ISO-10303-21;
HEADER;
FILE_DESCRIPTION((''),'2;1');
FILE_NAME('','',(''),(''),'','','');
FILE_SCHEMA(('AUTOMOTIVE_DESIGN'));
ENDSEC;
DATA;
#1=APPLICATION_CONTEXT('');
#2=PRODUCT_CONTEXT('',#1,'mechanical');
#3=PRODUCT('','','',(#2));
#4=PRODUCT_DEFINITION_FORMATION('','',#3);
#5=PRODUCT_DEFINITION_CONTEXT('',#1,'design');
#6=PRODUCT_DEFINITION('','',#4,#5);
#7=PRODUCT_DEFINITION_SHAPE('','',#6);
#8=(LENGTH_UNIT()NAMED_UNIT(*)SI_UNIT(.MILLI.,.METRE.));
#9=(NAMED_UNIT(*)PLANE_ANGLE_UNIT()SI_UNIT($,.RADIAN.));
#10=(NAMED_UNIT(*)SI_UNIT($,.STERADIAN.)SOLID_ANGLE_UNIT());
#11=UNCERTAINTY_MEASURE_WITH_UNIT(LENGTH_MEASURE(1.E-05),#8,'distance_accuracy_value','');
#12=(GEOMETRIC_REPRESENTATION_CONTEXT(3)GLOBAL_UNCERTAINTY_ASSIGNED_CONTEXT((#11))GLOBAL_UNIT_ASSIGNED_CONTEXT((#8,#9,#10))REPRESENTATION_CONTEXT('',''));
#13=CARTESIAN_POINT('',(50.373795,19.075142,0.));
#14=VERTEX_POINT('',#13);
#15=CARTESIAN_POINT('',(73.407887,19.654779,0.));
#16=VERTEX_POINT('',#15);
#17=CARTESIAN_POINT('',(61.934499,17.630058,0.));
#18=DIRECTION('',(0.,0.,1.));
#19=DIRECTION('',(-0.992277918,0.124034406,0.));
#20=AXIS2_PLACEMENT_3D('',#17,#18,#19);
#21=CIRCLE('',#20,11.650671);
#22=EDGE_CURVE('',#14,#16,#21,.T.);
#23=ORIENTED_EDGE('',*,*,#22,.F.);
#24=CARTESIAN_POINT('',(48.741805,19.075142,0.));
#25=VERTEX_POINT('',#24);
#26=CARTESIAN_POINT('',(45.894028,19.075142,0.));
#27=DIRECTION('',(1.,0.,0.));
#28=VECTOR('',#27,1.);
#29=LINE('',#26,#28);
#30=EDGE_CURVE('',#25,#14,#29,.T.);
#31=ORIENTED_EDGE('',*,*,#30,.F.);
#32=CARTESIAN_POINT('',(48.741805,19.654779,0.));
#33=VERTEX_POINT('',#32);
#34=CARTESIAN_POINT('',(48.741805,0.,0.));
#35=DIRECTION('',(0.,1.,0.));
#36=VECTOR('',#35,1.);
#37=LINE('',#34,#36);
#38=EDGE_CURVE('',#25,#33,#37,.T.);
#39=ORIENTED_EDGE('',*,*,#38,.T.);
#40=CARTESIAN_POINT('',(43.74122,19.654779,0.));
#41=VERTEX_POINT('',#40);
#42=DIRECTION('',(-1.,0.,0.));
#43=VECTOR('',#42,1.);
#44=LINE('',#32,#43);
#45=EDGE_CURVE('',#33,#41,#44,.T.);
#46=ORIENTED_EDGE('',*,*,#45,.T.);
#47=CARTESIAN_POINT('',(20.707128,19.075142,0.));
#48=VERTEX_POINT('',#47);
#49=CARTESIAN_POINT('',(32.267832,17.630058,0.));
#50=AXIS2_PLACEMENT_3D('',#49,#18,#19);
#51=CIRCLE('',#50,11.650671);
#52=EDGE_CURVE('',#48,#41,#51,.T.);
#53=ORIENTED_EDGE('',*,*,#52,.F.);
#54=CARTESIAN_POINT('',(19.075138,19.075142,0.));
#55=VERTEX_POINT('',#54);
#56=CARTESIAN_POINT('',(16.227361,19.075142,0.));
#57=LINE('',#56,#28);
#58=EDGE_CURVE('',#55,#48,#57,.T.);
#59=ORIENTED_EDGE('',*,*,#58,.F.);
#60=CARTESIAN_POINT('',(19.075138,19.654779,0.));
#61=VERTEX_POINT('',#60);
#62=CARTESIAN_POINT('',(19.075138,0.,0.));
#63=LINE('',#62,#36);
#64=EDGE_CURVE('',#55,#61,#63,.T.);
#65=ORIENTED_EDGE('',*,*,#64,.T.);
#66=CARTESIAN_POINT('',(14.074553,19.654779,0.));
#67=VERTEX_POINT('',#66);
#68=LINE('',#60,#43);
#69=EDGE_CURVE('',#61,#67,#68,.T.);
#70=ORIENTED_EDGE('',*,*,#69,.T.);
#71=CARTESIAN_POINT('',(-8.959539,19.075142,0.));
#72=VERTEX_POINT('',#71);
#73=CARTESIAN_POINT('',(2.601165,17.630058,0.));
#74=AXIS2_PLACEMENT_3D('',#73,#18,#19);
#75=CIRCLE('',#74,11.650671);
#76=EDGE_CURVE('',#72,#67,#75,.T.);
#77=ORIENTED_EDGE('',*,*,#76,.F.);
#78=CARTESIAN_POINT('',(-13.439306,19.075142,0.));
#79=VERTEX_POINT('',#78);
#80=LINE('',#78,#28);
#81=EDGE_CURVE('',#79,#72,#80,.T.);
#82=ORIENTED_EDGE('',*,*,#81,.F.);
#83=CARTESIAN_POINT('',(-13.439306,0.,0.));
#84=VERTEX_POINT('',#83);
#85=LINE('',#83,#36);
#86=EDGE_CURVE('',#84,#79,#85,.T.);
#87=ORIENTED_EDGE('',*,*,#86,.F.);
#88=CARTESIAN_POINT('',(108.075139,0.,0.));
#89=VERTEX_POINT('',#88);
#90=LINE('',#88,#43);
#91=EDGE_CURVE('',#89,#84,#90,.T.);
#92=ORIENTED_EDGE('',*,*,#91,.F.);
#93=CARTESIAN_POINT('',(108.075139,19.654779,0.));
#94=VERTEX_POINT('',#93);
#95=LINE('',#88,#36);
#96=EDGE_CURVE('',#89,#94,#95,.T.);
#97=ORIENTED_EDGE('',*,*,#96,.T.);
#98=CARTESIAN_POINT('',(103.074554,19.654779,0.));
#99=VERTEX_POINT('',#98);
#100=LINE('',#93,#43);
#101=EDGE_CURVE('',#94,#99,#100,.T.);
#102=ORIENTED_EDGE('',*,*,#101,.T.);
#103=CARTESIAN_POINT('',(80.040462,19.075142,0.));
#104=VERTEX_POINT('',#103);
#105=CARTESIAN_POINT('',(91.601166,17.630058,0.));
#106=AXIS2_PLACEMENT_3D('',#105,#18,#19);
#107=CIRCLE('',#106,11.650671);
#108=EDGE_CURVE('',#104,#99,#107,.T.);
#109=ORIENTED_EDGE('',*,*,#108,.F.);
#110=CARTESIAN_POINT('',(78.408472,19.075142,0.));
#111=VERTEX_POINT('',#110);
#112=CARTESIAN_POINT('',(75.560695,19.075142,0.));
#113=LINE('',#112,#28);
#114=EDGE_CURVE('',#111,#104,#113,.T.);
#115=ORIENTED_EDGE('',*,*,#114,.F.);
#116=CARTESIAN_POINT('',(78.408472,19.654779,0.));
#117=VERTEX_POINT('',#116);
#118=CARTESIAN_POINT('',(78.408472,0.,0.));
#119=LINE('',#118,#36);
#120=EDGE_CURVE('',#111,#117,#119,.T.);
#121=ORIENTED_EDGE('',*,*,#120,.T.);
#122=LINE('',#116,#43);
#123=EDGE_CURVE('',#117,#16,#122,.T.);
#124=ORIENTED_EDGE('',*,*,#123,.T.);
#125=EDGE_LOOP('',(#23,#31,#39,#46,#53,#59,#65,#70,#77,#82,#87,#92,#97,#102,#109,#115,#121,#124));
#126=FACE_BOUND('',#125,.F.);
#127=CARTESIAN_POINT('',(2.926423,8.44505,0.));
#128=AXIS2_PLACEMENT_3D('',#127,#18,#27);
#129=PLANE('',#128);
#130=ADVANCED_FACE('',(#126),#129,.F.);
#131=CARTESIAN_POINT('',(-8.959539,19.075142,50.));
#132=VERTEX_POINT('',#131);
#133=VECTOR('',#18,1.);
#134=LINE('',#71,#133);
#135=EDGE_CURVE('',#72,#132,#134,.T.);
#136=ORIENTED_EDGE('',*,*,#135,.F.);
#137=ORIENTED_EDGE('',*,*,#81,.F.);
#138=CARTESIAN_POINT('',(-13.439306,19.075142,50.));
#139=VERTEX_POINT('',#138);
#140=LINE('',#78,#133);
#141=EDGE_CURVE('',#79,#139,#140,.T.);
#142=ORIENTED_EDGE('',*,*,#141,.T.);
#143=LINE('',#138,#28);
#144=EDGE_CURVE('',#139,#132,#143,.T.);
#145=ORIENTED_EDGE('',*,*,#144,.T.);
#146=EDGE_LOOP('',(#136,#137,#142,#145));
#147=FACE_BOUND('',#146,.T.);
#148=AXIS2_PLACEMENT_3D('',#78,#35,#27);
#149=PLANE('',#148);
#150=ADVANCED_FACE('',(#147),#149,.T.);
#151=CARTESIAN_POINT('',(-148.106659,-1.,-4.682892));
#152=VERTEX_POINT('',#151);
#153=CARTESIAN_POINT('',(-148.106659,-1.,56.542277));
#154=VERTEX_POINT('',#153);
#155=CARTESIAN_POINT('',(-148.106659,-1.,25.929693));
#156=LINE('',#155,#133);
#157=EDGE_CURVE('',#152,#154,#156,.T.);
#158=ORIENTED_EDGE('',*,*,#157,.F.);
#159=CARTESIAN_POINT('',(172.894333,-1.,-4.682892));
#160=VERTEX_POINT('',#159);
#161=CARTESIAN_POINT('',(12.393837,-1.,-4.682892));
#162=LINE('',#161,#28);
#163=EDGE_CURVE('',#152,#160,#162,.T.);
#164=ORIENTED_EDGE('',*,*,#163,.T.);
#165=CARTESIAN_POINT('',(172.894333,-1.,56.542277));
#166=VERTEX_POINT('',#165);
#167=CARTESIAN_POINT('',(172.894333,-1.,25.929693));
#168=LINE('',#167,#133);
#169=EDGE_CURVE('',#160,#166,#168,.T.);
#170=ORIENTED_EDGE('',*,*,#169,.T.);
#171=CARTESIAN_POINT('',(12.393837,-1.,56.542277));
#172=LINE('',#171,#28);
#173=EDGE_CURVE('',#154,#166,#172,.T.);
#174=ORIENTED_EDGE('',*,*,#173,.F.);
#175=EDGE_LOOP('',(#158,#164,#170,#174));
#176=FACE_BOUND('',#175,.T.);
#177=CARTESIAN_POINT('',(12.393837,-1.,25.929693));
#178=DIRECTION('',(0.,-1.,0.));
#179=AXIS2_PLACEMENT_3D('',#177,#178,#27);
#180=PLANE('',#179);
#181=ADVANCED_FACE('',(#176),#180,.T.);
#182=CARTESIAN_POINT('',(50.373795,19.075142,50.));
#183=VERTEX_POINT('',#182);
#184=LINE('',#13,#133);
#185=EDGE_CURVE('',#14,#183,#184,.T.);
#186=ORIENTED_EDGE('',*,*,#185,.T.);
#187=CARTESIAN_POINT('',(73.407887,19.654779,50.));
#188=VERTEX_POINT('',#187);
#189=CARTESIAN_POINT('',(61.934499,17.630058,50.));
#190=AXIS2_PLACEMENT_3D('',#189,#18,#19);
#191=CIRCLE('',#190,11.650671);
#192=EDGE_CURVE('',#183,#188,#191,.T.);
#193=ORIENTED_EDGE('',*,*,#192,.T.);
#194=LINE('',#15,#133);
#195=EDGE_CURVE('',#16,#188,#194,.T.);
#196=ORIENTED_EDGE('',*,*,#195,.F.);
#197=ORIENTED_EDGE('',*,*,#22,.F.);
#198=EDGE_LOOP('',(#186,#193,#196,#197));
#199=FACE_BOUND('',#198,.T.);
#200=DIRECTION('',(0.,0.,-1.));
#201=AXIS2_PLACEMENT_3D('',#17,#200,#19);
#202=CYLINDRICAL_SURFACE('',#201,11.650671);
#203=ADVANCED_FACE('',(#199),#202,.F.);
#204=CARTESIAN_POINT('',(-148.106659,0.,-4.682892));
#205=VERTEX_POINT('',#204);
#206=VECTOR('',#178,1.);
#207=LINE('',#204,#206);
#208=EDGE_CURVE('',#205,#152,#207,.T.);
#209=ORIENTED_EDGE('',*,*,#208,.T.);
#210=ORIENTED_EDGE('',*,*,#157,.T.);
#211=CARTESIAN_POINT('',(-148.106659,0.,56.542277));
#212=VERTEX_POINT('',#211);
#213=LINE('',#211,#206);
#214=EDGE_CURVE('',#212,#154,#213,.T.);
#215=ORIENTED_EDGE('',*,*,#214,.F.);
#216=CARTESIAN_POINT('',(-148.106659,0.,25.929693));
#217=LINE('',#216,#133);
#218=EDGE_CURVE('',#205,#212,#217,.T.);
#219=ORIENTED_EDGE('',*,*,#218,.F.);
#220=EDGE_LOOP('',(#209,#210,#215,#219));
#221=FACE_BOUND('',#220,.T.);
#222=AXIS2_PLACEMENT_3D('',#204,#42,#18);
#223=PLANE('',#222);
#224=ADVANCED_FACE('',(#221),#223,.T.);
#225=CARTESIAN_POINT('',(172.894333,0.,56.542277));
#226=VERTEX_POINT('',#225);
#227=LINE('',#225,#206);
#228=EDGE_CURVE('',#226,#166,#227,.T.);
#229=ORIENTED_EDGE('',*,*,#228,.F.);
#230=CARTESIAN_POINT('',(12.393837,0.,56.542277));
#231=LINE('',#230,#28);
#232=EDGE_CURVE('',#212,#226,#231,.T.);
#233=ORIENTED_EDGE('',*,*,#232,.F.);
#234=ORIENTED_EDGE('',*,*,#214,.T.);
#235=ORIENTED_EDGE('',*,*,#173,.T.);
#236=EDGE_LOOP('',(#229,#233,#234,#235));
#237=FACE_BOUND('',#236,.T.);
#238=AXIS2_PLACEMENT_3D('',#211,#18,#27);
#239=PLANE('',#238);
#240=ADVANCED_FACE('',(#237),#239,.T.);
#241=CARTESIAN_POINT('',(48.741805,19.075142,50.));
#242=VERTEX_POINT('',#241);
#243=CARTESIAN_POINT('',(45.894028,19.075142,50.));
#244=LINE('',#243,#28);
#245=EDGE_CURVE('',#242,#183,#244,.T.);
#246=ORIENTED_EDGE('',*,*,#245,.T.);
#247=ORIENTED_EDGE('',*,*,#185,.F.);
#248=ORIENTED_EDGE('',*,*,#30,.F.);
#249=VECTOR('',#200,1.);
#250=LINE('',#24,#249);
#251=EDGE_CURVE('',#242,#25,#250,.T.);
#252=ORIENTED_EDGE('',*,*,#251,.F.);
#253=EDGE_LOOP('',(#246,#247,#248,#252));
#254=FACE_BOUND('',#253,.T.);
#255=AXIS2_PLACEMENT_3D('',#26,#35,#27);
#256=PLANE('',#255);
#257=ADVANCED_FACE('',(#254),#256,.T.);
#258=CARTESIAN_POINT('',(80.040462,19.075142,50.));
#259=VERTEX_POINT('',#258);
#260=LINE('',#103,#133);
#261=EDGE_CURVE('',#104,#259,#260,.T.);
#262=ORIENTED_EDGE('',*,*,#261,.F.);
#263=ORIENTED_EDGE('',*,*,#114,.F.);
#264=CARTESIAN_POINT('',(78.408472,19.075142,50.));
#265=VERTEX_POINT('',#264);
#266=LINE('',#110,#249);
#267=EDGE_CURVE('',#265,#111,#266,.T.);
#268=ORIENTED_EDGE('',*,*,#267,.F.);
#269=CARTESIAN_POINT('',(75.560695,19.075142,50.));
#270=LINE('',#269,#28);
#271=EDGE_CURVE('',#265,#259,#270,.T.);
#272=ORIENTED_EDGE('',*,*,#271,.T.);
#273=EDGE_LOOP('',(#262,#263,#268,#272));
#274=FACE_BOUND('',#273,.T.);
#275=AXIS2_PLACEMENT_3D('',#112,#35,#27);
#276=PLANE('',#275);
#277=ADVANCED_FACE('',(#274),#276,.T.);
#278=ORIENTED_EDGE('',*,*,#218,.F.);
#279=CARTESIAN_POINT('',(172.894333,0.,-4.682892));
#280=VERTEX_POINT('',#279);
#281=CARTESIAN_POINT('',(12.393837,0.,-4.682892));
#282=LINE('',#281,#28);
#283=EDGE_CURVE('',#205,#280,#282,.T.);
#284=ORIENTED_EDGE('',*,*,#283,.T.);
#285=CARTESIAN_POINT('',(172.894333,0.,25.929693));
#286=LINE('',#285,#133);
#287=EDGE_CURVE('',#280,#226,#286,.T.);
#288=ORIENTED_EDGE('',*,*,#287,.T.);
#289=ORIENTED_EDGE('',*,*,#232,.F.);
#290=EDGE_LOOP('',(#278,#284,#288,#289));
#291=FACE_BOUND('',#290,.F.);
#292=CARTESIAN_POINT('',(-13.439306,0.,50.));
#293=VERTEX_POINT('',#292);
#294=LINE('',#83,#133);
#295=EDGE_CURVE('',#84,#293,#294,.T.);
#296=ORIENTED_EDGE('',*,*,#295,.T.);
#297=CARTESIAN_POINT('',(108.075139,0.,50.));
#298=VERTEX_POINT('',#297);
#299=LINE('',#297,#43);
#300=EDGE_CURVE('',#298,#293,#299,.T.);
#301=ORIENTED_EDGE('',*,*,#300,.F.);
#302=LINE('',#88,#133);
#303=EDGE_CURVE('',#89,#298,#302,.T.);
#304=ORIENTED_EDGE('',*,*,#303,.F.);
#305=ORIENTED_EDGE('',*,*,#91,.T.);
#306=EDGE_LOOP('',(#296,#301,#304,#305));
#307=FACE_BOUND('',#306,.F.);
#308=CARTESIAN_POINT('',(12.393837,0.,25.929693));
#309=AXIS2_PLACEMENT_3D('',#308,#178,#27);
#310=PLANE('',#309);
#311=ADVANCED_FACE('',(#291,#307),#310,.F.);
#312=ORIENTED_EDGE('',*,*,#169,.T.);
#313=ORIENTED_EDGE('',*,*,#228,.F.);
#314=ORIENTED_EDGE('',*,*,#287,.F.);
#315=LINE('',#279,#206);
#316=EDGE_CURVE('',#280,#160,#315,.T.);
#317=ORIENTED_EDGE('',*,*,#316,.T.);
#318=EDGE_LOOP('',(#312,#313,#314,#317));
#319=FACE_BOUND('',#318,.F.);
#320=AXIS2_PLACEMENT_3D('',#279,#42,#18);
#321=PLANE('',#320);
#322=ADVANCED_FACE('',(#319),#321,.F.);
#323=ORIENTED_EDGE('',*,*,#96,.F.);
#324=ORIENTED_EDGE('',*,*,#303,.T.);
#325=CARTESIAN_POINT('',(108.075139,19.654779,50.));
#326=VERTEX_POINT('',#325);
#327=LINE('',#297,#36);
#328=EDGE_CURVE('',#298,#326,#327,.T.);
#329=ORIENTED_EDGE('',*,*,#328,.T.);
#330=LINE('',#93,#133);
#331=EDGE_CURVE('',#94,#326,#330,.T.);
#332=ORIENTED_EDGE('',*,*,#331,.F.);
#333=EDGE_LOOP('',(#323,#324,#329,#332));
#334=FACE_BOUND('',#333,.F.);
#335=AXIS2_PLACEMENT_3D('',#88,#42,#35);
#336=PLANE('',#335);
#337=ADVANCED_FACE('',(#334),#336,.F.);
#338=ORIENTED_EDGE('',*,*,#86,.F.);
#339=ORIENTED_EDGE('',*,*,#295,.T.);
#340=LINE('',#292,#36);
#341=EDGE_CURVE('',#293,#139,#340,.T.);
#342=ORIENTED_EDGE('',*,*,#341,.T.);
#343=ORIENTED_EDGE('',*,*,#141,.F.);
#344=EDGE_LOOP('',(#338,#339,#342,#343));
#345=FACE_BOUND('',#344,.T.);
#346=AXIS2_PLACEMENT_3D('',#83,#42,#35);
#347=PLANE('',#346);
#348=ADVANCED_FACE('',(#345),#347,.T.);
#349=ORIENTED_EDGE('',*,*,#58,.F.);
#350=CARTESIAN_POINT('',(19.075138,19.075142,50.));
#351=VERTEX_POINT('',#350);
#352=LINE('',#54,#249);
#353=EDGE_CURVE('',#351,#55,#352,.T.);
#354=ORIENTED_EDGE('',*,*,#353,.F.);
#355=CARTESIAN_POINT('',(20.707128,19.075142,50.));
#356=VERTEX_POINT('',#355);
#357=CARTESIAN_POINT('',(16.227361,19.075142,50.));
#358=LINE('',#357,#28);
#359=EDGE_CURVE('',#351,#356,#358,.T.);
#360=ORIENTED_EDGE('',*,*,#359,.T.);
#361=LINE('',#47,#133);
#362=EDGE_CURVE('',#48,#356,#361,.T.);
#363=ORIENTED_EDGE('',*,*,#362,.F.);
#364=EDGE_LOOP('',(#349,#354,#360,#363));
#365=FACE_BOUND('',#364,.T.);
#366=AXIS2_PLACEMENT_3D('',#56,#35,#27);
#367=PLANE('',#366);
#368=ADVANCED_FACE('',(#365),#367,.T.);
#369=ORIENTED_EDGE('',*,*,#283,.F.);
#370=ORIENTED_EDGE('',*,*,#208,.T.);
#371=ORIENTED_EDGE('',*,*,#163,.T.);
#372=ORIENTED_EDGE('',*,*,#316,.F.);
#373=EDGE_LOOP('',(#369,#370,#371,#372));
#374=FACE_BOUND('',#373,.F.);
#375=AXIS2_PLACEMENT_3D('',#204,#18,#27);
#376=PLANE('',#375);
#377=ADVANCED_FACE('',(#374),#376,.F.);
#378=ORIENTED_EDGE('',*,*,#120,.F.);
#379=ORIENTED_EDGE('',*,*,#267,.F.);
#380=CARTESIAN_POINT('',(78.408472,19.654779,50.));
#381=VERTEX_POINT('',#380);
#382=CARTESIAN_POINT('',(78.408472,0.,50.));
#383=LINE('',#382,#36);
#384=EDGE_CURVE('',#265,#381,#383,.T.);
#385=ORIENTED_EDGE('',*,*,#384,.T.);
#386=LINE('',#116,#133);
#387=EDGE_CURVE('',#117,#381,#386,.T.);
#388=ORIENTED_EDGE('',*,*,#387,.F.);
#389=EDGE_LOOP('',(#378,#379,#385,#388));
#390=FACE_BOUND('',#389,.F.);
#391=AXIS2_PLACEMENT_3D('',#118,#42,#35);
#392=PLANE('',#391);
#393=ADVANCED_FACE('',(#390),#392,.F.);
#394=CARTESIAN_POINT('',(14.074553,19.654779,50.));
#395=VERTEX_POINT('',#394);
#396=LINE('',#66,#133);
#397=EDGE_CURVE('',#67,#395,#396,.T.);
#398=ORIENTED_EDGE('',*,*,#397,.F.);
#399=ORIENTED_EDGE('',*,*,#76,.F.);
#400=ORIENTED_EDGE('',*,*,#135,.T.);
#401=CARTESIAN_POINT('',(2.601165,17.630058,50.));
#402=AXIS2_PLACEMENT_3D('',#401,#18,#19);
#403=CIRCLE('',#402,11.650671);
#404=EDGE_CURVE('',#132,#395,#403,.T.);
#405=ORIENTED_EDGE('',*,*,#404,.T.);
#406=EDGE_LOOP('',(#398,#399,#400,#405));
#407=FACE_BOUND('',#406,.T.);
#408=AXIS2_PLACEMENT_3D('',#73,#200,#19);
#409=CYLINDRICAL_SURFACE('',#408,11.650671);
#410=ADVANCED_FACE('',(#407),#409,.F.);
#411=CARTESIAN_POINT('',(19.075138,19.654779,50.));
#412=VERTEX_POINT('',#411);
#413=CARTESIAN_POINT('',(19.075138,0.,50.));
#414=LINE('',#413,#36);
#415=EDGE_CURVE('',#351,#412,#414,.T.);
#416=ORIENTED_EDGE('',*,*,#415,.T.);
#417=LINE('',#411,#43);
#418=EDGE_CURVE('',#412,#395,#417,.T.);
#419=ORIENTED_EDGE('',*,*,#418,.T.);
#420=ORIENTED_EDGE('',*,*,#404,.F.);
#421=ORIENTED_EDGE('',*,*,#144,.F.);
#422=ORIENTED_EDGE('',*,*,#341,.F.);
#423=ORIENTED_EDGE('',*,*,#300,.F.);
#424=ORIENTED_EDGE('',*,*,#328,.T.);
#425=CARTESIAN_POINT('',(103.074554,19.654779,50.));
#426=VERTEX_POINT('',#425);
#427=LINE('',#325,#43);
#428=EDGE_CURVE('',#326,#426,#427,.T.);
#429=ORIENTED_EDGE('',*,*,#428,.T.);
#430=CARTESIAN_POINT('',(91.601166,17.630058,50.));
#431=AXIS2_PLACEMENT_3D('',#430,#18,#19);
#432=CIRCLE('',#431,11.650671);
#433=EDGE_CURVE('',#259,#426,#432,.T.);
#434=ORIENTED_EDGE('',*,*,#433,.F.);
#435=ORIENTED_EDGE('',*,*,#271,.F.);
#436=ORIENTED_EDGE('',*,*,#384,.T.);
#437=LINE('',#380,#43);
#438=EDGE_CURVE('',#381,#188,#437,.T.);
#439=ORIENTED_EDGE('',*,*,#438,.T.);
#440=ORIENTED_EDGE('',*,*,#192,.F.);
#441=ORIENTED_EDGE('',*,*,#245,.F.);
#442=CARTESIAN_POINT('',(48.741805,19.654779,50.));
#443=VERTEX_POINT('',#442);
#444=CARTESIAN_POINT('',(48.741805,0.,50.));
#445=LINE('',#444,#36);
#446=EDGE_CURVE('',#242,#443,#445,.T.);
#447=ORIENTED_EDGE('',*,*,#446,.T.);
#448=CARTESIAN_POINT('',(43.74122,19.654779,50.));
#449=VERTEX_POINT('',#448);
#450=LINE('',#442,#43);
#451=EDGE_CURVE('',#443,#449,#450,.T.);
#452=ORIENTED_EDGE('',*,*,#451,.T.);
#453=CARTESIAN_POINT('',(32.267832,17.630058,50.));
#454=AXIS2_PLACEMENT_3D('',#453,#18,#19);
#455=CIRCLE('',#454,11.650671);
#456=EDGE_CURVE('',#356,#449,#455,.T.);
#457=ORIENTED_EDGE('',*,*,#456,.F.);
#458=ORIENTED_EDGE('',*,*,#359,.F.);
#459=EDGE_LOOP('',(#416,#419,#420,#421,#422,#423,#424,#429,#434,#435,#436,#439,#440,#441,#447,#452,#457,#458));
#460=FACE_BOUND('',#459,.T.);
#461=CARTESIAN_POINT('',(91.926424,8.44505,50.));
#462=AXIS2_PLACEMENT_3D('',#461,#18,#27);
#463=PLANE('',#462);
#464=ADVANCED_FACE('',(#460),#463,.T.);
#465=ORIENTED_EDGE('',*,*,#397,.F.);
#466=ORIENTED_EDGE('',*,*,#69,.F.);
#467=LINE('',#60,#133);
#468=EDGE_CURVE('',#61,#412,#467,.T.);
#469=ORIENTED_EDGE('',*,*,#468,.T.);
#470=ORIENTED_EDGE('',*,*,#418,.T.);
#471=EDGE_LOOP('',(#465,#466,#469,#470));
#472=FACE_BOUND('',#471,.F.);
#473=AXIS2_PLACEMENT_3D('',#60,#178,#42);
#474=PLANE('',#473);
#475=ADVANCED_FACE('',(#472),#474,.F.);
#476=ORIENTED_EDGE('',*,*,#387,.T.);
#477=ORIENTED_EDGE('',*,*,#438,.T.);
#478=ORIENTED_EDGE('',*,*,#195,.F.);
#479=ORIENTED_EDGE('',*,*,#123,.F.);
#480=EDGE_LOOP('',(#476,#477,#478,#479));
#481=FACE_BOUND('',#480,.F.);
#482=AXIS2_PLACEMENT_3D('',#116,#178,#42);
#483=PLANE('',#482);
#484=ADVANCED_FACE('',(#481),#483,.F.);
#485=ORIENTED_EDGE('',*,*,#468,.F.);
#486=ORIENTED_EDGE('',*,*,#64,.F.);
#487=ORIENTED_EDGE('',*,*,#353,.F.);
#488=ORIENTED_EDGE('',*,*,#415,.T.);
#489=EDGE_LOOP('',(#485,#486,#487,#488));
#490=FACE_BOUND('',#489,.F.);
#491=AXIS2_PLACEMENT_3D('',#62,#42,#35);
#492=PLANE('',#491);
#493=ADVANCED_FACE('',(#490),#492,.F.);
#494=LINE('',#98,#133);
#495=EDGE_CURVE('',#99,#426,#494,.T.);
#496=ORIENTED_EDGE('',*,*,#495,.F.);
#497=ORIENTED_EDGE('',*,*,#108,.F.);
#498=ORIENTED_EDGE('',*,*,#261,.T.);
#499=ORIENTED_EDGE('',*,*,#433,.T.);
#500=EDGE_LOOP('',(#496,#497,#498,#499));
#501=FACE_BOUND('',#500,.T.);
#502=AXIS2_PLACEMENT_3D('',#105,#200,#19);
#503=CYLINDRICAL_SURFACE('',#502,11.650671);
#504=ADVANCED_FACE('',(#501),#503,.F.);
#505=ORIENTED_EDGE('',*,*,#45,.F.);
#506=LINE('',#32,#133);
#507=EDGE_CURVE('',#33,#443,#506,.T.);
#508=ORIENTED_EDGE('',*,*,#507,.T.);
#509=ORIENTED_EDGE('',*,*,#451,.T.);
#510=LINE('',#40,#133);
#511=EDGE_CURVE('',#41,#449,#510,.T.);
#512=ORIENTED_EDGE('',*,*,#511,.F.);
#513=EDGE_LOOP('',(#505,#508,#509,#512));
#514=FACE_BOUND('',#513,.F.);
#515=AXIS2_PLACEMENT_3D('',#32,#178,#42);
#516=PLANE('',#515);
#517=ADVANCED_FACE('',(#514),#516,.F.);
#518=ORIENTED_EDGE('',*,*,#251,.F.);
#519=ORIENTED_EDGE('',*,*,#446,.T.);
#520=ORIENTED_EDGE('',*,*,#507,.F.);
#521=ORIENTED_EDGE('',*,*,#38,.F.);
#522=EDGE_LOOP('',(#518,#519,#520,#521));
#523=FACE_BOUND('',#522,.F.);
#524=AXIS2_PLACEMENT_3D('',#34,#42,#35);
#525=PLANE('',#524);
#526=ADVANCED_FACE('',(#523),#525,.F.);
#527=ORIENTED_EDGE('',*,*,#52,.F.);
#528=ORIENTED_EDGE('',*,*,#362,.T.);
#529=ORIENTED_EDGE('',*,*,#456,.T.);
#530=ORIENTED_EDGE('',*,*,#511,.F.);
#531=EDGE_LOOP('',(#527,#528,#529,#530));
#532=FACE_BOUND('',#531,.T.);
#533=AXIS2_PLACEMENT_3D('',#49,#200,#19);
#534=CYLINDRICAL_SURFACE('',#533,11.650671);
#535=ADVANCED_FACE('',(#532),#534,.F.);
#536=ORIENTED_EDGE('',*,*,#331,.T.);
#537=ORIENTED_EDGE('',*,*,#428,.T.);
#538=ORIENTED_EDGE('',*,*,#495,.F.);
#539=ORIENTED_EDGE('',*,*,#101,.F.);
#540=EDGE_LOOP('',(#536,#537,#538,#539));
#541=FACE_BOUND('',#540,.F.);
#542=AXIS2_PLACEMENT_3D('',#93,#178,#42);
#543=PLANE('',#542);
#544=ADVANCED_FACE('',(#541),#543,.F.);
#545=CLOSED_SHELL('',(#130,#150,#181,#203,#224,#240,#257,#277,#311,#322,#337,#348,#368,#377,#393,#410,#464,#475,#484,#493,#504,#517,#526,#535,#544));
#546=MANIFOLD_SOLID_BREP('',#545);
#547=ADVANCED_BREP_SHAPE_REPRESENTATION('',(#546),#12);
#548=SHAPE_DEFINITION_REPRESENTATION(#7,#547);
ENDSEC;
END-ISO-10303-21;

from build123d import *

# Parameters (mm, degrees)
SKETCH001_W         = 321.000992
SKETCH001_H         = 61.225169
PAD001_DEPTH        = 1
PAD_DEPTH           = 50
LINEARPATTERN_COUNT = 4
LINEARPATTERN_PITCH = 29.666667


with BuildPart() as part:
    # Sketch001 → Pad001 (new body)
    with BuildSketch(Plane.XZ):
        with Locations((12.393837, 25.929693)):
            Rectangle(SKETCH001_W, SKETCH001_H)
    extrude(amount=PAD001_DEPTH)

    # Sketch → Pad (join)
    with BuildSketch(Plane.XY):
        with BuildLine():
            Line((-13.439306, 0), (19.075138, 0))
            Line((19.075138, 0), (19.075138, 19.654779))
            Line((19.075138, 19.654779), (14.074553, 19.654779))
            ThreePointArc((-8.959539, 19.075142), (2.894254, 5.983074), (14.074553, 19.654779))
            Line((-13.439306, 19.075142), (-8.959539, 19.075142))
            Line((-13.439306, 0), (-13.439306, 19.075142))
        make_face()
    pad = extrude(amount=PAD_DEPTH)

    # LinearPattern: Pad ×4
    with Locations(*[(i * LINEARPATTERN_PITCH, 0, 0) for i in range(1, LINEARPATTERN_COUNT)]):
        add(pad)


solid = part.part
